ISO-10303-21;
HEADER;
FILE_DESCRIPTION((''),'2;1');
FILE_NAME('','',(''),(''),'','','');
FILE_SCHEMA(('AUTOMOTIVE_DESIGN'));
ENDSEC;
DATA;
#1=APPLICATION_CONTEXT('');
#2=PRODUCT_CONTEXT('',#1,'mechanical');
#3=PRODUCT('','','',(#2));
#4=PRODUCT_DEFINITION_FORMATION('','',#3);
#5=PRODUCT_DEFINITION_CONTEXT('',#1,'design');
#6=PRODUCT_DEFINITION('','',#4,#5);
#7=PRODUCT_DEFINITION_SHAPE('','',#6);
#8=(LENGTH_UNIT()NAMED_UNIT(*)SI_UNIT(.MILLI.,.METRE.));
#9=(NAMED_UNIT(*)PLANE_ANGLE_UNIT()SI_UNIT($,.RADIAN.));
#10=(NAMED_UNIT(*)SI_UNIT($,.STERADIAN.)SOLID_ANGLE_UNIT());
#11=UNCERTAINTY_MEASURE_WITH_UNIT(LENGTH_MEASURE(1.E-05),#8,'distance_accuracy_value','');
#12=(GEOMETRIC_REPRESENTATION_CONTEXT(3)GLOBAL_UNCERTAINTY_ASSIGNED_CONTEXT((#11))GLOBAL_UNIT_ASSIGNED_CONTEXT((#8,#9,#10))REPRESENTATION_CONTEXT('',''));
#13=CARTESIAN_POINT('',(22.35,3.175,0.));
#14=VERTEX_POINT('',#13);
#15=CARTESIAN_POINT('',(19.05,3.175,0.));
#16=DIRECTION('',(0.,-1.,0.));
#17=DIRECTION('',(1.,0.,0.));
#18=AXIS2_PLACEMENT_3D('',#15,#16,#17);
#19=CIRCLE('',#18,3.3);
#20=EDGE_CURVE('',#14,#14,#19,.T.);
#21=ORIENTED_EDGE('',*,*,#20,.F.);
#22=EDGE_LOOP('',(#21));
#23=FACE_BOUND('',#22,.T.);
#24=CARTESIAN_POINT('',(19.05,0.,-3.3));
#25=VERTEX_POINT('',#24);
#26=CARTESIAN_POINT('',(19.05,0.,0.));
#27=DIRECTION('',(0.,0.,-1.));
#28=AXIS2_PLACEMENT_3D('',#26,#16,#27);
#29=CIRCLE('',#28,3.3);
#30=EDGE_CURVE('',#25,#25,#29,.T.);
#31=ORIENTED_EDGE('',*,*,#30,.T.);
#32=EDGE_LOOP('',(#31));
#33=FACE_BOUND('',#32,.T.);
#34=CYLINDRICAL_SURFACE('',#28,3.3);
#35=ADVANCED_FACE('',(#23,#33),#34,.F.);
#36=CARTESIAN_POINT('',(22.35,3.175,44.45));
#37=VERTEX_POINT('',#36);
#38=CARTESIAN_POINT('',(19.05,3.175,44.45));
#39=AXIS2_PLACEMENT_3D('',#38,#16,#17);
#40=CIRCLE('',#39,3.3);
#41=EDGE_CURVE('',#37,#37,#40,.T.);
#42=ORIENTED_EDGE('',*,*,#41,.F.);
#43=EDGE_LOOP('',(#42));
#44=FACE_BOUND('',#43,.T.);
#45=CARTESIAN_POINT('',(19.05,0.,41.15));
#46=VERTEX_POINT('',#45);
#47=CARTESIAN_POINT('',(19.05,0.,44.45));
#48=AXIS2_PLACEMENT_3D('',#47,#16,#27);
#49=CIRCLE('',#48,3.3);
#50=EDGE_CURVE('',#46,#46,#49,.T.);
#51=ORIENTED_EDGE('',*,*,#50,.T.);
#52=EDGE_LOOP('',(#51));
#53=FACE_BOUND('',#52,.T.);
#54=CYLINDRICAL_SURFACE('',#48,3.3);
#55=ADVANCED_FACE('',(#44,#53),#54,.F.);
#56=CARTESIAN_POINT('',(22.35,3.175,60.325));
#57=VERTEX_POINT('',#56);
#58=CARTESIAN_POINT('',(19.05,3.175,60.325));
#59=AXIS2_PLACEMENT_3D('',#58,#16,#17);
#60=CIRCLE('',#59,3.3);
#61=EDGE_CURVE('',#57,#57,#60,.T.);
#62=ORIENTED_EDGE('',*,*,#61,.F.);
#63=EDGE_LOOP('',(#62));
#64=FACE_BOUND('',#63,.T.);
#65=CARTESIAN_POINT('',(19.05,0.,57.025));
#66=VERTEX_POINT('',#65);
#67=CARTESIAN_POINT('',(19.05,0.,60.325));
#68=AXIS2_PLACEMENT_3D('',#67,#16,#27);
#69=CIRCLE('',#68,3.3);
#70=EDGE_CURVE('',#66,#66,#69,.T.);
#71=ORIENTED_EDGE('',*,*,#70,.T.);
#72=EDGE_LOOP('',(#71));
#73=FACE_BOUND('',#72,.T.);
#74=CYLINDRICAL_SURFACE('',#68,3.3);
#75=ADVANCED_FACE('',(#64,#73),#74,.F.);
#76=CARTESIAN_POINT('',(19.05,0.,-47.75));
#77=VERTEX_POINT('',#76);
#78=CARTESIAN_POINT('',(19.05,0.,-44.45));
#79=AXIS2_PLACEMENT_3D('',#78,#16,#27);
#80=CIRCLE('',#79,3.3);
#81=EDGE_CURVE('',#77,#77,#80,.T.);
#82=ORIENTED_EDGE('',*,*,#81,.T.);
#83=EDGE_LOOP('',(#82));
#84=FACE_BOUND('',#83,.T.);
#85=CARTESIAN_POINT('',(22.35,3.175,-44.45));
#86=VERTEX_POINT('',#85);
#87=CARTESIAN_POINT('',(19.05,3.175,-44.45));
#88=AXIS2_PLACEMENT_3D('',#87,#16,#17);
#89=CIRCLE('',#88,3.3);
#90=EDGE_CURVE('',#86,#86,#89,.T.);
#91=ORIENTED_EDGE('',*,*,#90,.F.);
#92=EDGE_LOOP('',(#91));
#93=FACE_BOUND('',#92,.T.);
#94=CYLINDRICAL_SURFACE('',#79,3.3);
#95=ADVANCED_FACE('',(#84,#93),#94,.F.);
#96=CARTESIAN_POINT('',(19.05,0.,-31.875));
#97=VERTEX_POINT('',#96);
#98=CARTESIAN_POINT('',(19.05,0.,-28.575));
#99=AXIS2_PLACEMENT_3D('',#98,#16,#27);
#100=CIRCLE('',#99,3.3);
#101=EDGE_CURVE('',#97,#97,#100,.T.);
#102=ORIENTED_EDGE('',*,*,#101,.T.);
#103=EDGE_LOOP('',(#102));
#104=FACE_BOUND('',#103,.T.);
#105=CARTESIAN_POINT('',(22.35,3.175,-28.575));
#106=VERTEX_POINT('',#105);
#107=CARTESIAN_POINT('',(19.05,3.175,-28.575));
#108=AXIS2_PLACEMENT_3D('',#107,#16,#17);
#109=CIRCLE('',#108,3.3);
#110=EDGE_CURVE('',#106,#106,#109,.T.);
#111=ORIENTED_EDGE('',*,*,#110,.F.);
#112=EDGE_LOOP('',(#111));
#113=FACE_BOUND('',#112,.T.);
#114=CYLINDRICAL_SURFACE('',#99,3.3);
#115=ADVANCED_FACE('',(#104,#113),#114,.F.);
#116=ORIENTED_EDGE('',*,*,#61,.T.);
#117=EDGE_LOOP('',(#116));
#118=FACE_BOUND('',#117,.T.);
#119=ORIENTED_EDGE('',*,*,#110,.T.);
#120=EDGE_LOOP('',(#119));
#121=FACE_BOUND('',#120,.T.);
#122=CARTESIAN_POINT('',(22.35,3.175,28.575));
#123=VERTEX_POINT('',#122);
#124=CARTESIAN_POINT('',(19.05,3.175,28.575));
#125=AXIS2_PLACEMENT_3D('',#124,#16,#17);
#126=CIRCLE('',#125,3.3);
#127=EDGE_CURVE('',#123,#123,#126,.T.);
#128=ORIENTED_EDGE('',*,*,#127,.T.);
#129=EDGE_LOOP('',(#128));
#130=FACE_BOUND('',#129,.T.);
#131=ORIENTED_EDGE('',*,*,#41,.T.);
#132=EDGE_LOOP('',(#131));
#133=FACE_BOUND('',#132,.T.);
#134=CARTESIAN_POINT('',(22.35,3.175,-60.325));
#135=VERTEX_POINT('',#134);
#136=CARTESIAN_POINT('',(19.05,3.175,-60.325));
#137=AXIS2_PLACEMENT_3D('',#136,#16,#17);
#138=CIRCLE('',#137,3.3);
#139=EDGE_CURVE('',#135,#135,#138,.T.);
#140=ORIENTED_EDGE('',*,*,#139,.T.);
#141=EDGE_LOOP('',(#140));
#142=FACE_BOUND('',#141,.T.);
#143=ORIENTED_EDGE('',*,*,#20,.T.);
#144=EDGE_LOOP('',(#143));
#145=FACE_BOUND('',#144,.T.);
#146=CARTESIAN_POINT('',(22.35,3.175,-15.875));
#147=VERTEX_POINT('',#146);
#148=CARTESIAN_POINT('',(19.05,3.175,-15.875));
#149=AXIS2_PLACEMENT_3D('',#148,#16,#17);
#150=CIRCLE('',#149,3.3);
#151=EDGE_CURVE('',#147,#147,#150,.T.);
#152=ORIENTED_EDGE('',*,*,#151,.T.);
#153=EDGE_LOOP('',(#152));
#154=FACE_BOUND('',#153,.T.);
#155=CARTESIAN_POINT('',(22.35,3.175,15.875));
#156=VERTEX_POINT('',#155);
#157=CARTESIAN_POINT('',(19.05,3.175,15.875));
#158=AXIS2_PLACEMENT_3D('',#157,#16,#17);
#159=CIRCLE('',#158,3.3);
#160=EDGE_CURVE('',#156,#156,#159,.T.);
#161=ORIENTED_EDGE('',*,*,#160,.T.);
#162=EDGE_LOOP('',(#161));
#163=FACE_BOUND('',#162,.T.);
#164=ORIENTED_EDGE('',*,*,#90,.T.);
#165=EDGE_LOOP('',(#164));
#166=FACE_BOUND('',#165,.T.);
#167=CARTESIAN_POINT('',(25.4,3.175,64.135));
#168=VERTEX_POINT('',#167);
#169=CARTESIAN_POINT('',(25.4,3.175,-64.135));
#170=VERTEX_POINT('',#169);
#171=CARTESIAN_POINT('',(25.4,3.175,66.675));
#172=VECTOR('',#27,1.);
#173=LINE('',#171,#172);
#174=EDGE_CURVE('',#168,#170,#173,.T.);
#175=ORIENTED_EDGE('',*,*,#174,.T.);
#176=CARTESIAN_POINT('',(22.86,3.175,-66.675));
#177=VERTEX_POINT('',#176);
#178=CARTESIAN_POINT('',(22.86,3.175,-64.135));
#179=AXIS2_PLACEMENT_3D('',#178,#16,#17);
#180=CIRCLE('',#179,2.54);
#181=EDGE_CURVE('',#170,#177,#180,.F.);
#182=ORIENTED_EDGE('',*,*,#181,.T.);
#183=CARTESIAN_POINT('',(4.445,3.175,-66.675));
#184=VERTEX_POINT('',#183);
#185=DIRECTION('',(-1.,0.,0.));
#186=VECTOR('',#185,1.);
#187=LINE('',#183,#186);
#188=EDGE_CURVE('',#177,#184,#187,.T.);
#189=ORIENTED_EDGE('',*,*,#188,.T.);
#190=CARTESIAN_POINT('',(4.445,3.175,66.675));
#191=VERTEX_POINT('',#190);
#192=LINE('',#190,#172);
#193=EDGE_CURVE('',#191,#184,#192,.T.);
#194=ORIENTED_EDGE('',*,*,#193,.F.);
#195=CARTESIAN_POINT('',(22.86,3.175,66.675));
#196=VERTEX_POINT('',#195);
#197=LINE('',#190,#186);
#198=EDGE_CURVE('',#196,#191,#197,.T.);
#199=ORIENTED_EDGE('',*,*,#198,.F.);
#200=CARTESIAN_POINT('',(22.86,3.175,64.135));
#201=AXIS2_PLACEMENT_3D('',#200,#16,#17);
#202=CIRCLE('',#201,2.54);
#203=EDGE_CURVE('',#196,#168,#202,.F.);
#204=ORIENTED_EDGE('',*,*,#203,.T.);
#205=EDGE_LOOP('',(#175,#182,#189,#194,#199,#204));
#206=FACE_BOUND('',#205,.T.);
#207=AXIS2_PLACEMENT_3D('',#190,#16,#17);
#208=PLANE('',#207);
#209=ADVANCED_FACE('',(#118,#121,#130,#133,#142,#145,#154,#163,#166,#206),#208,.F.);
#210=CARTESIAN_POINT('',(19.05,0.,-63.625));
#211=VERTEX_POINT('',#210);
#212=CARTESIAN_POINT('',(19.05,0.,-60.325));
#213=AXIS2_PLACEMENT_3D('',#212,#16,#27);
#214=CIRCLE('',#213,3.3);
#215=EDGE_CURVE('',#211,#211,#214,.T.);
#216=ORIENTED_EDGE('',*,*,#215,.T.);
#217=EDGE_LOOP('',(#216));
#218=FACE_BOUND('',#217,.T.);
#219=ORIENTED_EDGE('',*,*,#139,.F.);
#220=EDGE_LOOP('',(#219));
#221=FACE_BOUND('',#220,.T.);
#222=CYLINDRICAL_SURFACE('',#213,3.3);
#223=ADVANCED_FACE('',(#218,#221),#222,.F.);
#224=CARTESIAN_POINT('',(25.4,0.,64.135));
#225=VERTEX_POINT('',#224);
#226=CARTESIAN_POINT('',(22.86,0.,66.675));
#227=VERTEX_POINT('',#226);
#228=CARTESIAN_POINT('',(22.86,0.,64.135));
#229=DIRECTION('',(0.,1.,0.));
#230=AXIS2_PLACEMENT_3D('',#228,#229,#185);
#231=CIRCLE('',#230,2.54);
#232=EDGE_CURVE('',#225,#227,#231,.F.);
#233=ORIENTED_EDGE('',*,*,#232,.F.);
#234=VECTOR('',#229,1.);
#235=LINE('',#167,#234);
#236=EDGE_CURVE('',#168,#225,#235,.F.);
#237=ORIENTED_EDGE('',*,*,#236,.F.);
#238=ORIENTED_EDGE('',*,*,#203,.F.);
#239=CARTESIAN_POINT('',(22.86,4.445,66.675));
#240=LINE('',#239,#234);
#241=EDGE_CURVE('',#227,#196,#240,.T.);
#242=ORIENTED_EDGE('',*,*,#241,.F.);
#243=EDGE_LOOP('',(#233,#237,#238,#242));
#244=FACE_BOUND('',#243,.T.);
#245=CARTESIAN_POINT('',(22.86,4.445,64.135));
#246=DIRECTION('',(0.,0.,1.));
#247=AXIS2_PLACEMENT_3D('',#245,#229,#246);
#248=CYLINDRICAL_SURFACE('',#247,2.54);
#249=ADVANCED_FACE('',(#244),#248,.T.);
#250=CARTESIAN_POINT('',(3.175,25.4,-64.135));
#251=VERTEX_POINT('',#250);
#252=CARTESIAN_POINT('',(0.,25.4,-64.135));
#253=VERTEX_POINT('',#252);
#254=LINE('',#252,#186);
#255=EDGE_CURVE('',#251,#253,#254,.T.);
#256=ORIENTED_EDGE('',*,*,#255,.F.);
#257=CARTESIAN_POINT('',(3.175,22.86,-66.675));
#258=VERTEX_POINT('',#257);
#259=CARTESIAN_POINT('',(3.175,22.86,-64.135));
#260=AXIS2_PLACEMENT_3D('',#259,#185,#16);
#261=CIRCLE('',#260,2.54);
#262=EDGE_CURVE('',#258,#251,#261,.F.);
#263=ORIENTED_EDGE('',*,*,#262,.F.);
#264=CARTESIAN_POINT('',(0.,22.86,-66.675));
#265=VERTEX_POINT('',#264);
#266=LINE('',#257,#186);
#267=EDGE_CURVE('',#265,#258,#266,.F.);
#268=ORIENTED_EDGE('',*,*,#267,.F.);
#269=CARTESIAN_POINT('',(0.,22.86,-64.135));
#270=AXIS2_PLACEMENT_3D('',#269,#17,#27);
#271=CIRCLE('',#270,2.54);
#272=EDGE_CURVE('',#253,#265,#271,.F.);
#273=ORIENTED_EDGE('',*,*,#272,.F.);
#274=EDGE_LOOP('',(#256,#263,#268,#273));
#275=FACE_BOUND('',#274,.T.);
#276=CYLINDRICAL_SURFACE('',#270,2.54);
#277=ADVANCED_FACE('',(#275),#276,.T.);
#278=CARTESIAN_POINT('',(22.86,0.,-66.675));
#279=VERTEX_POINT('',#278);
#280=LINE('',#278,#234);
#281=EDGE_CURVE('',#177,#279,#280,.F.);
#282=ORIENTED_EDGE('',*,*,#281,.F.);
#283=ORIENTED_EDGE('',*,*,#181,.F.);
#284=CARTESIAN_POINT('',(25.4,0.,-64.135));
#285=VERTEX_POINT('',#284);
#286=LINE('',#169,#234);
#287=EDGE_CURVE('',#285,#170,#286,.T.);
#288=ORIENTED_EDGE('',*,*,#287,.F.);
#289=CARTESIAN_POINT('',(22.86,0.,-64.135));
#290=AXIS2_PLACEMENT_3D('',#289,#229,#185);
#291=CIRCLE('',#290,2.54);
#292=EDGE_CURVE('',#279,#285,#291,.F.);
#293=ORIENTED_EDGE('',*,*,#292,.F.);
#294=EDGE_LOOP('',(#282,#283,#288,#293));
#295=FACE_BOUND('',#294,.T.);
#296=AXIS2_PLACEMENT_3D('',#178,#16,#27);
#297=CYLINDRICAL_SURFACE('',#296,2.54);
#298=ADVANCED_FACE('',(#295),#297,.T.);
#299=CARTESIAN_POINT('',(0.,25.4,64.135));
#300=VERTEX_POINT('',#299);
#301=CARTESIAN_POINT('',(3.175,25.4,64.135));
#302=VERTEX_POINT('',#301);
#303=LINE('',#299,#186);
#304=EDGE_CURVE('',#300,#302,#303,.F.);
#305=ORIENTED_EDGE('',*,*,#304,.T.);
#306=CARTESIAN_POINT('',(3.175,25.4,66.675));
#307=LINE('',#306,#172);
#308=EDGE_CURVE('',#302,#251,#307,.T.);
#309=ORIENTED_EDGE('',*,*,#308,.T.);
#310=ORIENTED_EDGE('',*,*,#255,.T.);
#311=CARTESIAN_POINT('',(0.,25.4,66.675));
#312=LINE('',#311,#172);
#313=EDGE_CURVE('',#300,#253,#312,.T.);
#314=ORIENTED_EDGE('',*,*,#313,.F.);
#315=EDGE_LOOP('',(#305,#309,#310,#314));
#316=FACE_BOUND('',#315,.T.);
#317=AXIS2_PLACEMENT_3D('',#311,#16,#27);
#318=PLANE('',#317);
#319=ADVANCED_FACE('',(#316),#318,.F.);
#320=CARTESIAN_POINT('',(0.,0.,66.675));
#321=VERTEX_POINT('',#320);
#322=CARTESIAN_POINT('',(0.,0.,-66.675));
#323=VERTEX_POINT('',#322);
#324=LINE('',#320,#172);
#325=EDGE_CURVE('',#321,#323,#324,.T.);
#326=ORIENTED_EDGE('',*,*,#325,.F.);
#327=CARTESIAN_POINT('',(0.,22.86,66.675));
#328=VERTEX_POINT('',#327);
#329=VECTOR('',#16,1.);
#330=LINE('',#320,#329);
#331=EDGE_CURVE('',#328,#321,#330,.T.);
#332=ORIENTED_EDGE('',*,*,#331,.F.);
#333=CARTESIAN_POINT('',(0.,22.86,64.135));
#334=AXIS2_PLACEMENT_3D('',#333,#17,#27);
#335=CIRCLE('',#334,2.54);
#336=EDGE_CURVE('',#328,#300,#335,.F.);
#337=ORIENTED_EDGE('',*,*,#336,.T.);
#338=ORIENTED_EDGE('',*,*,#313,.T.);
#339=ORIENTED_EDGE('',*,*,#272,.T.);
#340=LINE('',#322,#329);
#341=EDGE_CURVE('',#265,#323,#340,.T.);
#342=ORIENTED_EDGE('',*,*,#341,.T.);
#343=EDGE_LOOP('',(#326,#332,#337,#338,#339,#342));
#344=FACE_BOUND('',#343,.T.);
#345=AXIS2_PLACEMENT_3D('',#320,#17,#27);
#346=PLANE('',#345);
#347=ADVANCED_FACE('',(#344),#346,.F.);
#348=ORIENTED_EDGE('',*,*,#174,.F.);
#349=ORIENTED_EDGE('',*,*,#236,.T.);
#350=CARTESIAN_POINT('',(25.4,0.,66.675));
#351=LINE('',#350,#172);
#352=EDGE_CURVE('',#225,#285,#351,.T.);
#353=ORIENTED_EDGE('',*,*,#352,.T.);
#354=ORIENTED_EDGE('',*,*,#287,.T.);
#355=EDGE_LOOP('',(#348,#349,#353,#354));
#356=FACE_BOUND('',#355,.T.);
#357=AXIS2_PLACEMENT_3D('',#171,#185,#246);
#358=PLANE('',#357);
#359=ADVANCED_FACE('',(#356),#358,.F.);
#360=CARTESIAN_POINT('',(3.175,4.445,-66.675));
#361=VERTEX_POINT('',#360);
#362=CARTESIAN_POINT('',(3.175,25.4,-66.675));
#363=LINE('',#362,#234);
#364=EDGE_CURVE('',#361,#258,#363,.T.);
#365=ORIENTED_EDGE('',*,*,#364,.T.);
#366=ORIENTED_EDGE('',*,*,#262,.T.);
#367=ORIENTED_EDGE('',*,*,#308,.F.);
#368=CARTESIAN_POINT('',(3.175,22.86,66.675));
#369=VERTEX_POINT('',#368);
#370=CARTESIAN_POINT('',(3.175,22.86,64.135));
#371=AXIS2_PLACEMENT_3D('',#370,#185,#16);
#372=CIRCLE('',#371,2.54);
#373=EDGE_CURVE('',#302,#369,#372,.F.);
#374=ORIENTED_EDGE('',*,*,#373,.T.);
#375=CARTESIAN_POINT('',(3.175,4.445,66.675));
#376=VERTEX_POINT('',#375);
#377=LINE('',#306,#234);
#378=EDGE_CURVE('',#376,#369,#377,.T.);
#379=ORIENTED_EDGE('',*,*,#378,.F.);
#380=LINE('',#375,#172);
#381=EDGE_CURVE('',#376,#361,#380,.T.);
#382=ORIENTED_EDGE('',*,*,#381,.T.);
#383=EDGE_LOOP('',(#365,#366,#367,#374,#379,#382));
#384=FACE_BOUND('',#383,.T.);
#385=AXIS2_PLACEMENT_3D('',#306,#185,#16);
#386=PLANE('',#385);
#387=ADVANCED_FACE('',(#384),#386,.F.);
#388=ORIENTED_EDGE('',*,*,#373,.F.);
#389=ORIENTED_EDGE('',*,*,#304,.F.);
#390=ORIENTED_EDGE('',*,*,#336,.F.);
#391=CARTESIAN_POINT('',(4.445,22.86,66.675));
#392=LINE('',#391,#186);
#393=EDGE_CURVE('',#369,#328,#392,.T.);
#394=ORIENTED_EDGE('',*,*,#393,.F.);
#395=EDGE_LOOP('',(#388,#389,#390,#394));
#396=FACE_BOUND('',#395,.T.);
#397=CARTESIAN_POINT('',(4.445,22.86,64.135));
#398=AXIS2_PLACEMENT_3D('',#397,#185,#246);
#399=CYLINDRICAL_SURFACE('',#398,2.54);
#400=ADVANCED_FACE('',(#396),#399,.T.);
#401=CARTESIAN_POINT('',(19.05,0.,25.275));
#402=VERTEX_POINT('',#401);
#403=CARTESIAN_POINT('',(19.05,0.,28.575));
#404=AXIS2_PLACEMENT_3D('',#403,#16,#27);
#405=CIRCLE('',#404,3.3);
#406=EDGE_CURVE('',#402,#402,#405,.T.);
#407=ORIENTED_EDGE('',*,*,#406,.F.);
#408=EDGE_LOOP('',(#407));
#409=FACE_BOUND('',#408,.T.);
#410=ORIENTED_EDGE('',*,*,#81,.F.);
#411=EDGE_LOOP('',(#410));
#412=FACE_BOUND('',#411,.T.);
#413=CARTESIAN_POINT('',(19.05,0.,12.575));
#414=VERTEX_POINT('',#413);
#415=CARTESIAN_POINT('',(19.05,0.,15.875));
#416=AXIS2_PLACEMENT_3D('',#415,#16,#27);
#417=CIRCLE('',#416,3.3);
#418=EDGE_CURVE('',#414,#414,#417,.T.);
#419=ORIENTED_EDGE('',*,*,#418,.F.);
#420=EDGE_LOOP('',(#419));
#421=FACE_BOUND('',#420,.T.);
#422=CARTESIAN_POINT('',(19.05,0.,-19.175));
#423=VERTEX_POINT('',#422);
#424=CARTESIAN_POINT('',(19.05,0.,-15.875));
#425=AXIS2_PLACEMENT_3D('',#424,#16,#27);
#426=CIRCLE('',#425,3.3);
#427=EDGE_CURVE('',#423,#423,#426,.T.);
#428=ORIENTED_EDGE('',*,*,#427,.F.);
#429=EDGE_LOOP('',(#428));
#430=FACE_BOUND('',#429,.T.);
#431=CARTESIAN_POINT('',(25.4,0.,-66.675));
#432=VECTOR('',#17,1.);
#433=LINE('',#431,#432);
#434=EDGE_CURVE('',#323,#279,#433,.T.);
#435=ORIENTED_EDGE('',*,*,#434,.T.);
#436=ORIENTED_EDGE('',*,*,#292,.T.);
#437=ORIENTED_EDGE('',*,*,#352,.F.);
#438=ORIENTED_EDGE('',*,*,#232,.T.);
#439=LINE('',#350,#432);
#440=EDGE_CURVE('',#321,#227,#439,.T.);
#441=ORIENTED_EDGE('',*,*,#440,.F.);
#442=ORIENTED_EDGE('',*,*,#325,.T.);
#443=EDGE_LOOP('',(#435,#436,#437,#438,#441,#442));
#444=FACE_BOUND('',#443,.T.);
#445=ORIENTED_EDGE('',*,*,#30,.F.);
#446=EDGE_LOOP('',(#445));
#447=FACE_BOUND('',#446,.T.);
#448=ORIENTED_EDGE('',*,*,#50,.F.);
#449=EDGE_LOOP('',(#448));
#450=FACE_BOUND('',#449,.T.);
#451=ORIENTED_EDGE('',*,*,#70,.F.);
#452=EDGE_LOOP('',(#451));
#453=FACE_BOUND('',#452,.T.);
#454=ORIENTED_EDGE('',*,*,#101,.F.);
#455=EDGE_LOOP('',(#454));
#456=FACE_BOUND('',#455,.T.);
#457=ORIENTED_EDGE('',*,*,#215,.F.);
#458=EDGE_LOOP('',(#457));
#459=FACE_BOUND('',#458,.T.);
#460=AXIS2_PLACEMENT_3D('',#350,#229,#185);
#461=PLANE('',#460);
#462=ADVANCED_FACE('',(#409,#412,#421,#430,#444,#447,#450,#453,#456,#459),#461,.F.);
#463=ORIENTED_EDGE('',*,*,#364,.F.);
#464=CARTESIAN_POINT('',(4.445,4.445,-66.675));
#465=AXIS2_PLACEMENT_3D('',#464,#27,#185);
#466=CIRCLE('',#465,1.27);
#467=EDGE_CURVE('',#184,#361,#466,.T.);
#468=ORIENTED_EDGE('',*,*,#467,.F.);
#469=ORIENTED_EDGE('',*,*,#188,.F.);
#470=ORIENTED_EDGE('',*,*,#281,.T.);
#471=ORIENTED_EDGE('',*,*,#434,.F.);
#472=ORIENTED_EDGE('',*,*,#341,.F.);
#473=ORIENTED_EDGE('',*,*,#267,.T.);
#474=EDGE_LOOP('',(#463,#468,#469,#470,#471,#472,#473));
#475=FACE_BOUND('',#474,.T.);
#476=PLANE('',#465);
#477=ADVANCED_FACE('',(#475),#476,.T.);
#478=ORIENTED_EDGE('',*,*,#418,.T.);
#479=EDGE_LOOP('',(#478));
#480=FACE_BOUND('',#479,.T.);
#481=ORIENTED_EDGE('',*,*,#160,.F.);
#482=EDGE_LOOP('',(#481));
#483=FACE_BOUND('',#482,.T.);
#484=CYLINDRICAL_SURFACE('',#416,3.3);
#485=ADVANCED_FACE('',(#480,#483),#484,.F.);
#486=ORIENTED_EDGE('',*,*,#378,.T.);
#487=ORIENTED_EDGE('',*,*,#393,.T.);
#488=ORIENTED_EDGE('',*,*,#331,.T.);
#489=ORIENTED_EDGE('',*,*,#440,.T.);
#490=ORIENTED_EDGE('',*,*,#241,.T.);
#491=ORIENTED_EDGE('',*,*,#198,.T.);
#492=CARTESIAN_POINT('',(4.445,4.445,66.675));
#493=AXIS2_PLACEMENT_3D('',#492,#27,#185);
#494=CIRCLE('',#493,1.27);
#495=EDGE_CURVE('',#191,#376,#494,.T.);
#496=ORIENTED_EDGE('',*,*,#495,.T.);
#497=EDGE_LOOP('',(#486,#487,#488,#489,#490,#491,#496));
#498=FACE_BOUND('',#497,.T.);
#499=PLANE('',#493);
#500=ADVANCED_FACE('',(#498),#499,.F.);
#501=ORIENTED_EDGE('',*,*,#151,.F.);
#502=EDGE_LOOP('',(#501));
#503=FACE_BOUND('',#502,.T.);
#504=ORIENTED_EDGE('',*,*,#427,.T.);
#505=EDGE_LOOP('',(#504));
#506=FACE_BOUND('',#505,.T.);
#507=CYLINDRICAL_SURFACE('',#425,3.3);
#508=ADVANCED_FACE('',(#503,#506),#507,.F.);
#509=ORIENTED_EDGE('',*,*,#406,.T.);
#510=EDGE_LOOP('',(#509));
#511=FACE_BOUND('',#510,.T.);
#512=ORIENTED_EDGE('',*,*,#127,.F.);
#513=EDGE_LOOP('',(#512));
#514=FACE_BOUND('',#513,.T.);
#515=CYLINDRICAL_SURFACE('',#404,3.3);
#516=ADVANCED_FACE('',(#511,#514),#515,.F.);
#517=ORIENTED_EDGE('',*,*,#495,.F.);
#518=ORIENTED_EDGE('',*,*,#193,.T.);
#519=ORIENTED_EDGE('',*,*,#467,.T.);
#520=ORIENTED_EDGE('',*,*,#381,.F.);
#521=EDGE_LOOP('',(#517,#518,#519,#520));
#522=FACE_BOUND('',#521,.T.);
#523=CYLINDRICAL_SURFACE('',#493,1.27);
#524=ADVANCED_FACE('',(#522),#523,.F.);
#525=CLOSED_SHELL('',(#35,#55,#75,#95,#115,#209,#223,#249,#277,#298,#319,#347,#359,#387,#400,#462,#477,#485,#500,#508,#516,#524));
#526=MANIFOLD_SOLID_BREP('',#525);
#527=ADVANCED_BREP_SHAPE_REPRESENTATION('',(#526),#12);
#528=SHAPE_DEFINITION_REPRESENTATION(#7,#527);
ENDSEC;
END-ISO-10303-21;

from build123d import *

# Parameters (mm, degrees)
BOSS_EXTRUDE1_DEPTH  = 66.675
M6_CLEARANCE_HOLE3_D = 6.6
LPATTERN1_COUNT      = 3
LPATTERN1_PITCH      = 44.45
FILLET1_R            = 2.54


with BuildPart() as part:
    # Sketch1 → Boss-Extrude1 (new, symmetric)
    with BuildSketch(Plane.XY):
        with BuildLine():
            Line((0, 0), (0, 25.4))
            Line((0, 25.4), (3.175, 25.4))
            Line((3.175, 25.4), (3.175, 4.445))
            ThreePointArc((3.175, 4.445), (3.546974388, 3.546974388), (4.445, 3.175))
            Line((4.445, 3.175), (25.4, 3.175))
            Line((25.4, 3.175), (25.4, 0))
            Line((25.4, 0), (0, 0))
        make_face()
    extrude(amount=BOSS_EXTRUDE1_DEPTH, both=True)

    # M6 Clearance Hole3 (through all)
    with Locations(Plane.XZ):
        with Locations((19.05, 60.325), (19.05, 44.45), (19.05, 28.575)):
            m6_clearance_hole3 = Hole(M6_CLEARANCE_HOLE3_D / 2)

    # LPattern1: M6 Clearance Hole3 ×3
    with Locations(*[(0, 0, -i * LPATTERN1_PITCH) for i in range(1, LPATTERN1_COUNT)]):
        add(m6_clearance_hole3, mode=Mode.SUBTRACT)

    # Fillet1
    fillet1_edges = [part.edges().sort_by_distance(p)[0] for p in [
        (1.5875, 25.4, 66.675),
        (1.5875, 25.4, -66.675),
        (25.4, 1.5875, 66.675),
        (25.4, 1.5875, -66.675),
    ]]
    fillet(fillet1_edges, radius=FILLET1_R)


solid = part.part
